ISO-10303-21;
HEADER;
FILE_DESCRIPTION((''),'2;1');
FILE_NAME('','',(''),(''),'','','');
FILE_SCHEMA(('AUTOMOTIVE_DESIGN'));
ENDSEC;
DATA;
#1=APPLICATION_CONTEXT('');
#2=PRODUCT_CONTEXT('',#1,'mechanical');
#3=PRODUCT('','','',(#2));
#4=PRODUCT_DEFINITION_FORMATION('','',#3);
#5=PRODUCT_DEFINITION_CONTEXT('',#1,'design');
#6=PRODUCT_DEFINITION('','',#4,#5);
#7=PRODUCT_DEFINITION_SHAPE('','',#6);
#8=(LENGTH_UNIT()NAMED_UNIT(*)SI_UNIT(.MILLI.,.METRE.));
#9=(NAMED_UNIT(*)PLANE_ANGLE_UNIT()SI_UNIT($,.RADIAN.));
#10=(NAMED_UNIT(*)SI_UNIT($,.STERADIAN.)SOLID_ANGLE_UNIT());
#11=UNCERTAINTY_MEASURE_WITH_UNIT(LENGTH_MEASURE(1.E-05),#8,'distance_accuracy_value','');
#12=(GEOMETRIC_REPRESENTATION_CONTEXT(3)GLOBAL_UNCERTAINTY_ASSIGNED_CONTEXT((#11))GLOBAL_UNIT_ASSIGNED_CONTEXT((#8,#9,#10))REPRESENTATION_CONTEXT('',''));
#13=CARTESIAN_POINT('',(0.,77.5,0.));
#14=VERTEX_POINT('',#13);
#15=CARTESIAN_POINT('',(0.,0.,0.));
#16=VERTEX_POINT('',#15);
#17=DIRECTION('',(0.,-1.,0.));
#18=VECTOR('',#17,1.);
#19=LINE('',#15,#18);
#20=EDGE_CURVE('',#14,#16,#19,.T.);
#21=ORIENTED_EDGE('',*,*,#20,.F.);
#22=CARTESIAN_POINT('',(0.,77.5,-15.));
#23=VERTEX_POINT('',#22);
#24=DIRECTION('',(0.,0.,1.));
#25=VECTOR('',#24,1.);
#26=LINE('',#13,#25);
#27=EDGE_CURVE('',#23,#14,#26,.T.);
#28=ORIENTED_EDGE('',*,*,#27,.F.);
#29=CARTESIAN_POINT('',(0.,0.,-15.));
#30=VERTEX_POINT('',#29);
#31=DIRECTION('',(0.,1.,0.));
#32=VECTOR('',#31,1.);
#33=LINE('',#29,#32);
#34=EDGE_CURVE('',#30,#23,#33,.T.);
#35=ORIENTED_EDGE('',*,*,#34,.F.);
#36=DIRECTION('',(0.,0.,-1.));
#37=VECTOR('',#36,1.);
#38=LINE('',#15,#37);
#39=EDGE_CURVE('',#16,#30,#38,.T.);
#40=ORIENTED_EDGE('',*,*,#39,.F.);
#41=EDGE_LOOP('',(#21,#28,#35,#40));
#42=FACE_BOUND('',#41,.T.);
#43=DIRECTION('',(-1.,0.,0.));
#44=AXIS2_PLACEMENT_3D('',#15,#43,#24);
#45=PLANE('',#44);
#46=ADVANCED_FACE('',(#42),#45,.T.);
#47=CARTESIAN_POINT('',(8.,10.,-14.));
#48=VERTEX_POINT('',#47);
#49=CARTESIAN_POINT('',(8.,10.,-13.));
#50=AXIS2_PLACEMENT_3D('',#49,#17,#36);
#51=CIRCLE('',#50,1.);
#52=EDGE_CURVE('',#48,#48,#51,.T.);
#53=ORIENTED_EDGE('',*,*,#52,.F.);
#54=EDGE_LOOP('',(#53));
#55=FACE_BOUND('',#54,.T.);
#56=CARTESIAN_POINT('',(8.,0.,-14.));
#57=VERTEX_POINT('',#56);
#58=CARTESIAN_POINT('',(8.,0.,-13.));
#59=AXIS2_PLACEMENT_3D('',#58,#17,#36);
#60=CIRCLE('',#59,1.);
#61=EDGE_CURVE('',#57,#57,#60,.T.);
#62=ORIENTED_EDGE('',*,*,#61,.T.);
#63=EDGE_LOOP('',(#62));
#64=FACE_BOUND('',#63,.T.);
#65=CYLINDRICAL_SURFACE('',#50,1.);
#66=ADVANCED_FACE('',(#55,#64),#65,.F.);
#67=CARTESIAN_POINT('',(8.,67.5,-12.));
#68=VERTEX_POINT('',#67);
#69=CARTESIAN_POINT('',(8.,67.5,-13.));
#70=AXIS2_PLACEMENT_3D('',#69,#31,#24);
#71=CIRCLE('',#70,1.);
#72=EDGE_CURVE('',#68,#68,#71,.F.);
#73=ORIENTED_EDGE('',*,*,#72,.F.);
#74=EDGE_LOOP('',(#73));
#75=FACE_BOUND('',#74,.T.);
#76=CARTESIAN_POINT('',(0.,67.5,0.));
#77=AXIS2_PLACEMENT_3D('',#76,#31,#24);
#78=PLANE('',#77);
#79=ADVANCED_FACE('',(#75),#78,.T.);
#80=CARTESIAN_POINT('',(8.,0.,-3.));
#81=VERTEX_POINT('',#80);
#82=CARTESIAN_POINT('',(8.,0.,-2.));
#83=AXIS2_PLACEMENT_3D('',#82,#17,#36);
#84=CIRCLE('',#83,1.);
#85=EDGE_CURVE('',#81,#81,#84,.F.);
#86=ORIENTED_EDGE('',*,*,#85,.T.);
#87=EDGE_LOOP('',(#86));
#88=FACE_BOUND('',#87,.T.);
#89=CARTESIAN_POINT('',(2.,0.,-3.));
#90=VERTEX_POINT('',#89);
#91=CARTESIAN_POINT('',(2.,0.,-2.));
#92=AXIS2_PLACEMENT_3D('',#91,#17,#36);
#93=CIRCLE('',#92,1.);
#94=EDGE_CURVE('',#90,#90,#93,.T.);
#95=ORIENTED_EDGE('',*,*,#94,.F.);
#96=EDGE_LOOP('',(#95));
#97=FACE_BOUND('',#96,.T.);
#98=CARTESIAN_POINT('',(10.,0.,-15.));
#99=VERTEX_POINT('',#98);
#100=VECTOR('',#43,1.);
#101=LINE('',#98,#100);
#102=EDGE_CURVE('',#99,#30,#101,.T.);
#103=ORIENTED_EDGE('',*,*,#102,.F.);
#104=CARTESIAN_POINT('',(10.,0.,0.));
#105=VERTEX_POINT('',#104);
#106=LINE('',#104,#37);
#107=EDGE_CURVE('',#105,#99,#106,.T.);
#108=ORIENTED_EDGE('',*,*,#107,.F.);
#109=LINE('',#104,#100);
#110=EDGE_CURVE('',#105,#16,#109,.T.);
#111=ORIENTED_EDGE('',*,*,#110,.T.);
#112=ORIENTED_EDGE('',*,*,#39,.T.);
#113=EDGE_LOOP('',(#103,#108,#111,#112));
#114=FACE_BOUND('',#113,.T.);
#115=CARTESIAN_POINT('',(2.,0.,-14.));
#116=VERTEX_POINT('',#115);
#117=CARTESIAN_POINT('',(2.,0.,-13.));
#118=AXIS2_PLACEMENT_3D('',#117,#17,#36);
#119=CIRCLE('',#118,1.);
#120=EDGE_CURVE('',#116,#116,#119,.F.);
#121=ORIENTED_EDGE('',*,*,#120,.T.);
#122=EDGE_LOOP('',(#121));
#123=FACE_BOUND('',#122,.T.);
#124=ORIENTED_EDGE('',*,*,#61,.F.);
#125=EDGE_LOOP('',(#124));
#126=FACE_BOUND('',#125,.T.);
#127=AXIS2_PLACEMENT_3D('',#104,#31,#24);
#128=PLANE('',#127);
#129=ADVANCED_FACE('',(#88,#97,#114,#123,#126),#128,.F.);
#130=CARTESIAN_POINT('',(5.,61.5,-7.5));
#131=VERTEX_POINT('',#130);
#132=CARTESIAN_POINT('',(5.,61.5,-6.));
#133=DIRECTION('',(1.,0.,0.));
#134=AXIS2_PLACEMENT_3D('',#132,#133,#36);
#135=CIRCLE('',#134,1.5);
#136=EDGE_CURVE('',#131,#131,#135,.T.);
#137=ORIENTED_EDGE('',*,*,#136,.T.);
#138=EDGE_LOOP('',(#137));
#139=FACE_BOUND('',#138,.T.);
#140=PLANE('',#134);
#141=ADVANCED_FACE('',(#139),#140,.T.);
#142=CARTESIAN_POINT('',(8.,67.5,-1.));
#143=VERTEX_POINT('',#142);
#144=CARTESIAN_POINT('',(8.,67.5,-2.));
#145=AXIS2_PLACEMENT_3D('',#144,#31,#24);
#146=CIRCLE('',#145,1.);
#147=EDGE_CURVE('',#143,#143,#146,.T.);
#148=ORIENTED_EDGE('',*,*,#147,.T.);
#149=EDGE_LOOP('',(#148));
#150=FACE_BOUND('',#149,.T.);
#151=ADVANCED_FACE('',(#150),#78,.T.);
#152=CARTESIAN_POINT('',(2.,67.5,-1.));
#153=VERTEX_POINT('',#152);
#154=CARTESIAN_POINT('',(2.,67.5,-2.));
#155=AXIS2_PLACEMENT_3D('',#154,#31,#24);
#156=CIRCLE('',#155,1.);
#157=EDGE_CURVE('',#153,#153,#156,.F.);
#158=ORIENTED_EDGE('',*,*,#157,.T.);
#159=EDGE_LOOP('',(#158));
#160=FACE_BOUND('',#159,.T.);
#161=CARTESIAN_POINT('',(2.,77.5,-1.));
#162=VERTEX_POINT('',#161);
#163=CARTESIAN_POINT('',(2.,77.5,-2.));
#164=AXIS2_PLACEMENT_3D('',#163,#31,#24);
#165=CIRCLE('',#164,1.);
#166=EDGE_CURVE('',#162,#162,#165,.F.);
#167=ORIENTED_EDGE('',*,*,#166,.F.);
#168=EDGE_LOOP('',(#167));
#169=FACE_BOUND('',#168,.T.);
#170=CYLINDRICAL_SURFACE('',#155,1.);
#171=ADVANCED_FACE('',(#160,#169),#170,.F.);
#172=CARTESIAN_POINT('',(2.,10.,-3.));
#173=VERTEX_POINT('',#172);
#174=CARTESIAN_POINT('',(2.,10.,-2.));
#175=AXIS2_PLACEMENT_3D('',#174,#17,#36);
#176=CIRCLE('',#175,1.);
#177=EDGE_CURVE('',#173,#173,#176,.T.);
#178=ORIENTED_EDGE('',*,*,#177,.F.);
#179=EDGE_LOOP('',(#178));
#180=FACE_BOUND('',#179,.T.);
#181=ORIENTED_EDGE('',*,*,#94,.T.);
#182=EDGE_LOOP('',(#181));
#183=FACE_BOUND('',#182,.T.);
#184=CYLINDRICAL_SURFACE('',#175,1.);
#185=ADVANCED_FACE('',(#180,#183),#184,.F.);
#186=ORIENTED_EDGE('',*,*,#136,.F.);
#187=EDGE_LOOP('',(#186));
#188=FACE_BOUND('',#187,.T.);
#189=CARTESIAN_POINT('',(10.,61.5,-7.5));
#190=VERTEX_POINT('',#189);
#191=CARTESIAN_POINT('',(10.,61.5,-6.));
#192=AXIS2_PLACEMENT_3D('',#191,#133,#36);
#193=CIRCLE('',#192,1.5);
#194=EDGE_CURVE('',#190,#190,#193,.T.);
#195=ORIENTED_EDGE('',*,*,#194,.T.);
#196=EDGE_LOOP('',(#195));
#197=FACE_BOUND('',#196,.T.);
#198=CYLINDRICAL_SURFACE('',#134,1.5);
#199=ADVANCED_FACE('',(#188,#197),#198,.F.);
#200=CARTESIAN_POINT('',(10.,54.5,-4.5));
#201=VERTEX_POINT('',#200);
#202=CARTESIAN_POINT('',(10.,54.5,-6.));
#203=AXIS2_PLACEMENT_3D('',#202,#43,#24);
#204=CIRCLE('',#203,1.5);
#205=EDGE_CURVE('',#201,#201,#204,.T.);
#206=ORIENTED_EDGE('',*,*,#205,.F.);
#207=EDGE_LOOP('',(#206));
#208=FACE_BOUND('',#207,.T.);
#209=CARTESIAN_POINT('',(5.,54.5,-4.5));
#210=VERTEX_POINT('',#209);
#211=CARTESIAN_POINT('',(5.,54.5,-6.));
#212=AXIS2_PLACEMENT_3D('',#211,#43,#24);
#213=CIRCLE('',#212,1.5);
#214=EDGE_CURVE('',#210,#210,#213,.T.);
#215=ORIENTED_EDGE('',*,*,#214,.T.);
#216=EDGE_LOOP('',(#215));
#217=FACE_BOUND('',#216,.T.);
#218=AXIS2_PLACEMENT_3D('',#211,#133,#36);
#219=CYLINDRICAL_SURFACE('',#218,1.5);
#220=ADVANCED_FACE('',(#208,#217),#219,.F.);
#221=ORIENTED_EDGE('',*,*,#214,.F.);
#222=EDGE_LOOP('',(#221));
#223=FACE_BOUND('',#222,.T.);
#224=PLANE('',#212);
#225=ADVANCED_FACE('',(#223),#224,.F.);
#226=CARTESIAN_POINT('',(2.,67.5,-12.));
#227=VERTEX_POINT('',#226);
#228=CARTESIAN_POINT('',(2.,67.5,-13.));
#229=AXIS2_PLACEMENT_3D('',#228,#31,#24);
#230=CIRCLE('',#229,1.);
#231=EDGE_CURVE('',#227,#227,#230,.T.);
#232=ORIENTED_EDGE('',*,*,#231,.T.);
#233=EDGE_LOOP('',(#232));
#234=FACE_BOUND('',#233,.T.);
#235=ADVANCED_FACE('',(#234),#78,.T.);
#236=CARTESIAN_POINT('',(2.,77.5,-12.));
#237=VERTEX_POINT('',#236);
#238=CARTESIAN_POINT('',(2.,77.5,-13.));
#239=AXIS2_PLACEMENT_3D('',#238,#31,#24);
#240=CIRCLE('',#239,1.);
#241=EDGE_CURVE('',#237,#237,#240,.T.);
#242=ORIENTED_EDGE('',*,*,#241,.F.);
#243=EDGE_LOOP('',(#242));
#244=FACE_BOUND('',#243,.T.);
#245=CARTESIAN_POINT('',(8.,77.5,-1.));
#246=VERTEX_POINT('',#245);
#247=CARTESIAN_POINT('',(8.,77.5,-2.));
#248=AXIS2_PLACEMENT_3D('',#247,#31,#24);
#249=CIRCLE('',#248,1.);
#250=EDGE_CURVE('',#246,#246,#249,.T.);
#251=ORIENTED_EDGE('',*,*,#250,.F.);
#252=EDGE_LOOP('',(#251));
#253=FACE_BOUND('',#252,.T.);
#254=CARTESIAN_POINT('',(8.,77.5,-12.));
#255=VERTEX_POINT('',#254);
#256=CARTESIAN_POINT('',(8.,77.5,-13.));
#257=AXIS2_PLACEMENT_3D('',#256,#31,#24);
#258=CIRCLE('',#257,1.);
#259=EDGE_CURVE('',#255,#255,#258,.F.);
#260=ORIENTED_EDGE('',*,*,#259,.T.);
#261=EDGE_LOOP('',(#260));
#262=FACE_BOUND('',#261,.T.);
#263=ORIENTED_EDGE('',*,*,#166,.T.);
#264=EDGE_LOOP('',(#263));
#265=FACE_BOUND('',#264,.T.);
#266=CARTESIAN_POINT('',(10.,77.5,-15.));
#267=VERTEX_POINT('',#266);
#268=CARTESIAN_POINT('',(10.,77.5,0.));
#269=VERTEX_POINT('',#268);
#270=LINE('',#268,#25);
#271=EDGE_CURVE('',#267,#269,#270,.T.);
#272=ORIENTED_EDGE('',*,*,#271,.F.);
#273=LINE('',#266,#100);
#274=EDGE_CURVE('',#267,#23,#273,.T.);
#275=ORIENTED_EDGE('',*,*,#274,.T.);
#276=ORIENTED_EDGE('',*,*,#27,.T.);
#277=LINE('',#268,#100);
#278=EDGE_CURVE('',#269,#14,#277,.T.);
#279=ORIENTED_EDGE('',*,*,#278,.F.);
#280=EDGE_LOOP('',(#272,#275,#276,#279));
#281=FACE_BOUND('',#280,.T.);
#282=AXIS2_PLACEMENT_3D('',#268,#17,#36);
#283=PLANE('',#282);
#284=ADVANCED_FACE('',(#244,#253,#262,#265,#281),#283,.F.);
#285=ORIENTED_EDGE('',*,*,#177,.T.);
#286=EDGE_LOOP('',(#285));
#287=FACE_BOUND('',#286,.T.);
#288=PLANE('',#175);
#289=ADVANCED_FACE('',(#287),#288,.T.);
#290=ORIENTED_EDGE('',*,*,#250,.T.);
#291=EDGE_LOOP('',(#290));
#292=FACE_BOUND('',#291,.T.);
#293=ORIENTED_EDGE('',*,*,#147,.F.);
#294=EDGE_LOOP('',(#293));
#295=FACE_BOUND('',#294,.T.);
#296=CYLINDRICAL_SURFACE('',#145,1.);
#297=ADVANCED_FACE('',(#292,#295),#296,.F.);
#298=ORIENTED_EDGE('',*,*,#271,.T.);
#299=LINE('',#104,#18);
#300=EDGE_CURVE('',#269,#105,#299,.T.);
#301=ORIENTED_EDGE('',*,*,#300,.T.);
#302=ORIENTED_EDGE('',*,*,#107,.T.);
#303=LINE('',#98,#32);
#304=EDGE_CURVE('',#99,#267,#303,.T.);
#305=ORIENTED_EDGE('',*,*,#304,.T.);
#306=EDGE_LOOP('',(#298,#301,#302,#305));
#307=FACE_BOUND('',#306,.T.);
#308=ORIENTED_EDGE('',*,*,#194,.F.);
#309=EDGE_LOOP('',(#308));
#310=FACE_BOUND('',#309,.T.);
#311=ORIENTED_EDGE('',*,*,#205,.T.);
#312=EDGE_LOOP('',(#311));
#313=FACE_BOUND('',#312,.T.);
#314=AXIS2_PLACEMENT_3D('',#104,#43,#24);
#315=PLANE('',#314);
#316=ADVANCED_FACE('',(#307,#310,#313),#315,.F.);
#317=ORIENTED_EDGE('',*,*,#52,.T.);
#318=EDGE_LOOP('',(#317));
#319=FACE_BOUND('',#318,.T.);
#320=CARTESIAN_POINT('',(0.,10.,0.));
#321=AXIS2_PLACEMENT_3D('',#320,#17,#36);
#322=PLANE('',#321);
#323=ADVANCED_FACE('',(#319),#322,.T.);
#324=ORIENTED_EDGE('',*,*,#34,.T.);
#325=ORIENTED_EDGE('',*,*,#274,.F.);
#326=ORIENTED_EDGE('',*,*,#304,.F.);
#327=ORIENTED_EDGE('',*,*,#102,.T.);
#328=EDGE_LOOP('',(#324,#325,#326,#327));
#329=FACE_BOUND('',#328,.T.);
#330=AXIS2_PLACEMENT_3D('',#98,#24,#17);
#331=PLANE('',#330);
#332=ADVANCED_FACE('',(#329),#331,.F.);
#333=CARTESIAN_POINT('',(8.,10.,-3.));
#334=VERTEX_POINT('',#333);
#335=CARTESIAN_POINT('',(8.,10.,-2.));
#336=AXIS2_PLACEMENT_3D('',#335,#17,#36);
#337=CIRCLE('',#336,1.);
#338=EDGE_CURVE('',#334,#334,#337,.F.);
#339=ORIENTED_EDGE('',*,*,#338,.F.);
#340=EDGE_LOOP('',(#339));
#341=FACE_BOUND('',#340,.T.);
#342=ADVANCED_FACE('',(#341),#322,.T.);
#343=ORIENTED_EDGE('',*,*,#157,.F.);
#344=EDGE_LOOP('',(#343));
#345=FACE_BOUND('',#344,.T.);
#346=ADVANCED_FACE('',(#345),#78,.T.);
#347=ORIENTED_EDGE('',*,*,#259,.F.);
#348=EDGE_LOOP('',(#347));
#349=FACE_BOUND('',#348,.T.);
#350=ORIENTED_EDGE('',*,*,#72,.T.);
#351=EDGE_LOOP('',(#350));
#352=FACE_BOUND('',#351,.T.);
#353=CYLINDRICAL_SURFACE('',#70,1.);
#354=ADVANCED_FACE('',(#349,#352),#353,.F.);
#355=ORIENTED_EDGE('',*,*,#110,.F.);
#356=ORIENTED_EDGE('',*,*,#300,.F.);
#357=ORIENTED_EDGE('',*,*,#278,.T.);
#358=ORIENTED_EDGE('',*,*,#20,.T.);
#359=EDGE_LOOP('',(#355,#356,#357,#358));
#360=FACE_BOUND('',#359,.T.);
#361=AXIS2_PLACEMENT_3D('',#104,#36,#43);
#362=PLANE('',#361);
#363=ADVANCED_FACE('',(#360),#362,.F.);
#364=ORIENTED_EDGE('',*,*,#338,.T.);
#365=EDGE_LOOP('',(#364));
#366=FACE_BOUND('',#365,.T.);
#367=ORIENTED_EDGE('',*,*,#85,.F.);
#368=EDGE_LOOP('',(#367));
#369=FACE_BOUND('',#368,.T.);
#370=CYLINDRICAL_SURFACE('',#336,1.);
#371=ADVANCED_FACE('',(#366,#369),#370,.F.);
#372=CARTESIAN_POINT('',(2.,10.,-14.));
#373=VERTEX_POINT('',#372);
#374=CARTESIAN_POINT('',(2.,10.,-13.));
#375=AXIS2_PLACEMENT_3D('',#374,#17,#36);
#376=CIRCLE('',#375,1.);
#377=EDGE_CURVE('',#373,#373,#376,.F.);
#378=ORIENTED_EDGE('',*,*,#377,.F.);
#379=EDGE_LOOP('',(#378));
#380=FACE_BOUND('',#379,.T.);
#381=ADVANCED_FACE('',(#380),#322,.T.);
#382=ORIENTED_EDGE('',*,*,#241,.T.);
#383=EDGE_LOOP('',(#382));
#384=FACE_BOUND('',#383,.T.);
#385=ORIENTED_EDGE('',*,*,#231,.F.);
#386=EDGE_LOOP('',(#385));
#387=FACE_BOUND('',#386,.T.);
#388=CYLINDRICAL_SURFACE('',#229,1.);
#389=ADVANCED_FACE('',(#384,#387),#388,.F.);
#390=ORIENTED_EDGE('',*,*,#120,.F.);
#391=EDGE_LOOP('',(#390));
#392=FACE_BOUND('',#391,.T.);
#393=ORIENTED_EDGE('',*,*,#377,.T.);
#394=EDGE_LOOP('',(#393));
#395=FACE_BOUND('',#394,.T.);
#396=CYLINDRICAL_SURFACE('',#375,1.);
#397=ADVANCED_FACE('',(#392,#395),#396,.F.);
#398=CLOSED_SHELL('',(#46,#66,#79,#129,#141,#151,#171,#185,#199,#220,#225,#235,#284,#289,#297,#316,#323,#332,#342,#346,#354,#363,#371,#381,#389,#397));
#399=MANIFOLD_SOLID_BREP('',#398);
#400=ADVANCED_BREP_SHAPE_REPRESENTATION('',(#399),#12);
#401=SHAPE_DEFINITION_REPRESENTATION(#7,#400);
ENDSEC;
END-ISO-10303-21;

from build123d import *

# Parameters (mm, degrees)
SKETCH1_W           = 15
SKETCH1_H           = 77.5
BOSS_EXTRUDE1_DEPTH = 10
SKETCH3_R           = 1
CUT_EXTRUDE1_DEPTH  = 10
SKETCH4_R           = 1
CUT_EXTRUDE2_DEPTH  = 10
SKETCH5_R           = 1.5
CUT_EXTRUDE3_DEPTH  = 5


with BuildPart() as part:
    # Sketch1 → Boss-Extrude1 (new body)
    with BuildSketch(Plane(origin=(0, 0, 0), x_dir=(0, 0, -1), z_dir=(1, 0, 0))):
        with Locations((7.5, 38.75)):
            Rectangle(SKETCH1_W, SKETCH1_H)
    extrude(amount=BOSS_EXTRUDE1_DEPTH)

    # Sketch3 → Cut-Extrude1 (cut)
    with BuildSketch(Plane(origin=(0, 77.5, 0), x_dir=(1, 0, 0), z_dir=(0, 1, 0))):
        with Locations((2, 13)):
            Circle(SKETCH3_R)
        with Locations((8, 13)):
            Circle(SKETCH3_R)
        with Locations((8, 2)):
            Circle(SKETCH3_R)
        with Locations((2, 2)):
            Circle(SKETCH3_R)
    extrude(amount=-CUT_EXTRUDE1_DEPTH, mode=Mode.SUBTRACT)

    # Sketch4 → Cut-Extrude2 (cut)
    with BuildSketch(Plane(origin=(0, 0, 0), x_dir=(-1, 0, 0), z_dir=(0, -1, 0))):
        with Locations((-8, 2)):
            Circle(SKETCH4_R)
        with Locations((-8, 13)):
            Circle(SKETCH4_R)
        with Locations((-2, 13)):
            Circle(SKETCH4_R)
        with Locations((-2, 2)):
            Circle(SKETCH4_R)
    extrude(amount=-CUT_EXTRUDE2_DEPTH, mode=Mode.SUBTRACT)

    # Sketch5 → Cut-Extrude3 (cut)
    with BuildSketch(Plane(origin=(10, 0, 0), x_dir=(0, 0, -1), z_dir=(1, 0, 0))):
        with Locations((6, 61.5)):
            Circle(SKETCH5_R)
        with Locations((6, 54.5)):
            Circle(SKETCH5_R)
    extrude(amount=-CUT_EXTRUDE3_DEPTH, mode=Mode.SUBTRACT)


solid = part.part
